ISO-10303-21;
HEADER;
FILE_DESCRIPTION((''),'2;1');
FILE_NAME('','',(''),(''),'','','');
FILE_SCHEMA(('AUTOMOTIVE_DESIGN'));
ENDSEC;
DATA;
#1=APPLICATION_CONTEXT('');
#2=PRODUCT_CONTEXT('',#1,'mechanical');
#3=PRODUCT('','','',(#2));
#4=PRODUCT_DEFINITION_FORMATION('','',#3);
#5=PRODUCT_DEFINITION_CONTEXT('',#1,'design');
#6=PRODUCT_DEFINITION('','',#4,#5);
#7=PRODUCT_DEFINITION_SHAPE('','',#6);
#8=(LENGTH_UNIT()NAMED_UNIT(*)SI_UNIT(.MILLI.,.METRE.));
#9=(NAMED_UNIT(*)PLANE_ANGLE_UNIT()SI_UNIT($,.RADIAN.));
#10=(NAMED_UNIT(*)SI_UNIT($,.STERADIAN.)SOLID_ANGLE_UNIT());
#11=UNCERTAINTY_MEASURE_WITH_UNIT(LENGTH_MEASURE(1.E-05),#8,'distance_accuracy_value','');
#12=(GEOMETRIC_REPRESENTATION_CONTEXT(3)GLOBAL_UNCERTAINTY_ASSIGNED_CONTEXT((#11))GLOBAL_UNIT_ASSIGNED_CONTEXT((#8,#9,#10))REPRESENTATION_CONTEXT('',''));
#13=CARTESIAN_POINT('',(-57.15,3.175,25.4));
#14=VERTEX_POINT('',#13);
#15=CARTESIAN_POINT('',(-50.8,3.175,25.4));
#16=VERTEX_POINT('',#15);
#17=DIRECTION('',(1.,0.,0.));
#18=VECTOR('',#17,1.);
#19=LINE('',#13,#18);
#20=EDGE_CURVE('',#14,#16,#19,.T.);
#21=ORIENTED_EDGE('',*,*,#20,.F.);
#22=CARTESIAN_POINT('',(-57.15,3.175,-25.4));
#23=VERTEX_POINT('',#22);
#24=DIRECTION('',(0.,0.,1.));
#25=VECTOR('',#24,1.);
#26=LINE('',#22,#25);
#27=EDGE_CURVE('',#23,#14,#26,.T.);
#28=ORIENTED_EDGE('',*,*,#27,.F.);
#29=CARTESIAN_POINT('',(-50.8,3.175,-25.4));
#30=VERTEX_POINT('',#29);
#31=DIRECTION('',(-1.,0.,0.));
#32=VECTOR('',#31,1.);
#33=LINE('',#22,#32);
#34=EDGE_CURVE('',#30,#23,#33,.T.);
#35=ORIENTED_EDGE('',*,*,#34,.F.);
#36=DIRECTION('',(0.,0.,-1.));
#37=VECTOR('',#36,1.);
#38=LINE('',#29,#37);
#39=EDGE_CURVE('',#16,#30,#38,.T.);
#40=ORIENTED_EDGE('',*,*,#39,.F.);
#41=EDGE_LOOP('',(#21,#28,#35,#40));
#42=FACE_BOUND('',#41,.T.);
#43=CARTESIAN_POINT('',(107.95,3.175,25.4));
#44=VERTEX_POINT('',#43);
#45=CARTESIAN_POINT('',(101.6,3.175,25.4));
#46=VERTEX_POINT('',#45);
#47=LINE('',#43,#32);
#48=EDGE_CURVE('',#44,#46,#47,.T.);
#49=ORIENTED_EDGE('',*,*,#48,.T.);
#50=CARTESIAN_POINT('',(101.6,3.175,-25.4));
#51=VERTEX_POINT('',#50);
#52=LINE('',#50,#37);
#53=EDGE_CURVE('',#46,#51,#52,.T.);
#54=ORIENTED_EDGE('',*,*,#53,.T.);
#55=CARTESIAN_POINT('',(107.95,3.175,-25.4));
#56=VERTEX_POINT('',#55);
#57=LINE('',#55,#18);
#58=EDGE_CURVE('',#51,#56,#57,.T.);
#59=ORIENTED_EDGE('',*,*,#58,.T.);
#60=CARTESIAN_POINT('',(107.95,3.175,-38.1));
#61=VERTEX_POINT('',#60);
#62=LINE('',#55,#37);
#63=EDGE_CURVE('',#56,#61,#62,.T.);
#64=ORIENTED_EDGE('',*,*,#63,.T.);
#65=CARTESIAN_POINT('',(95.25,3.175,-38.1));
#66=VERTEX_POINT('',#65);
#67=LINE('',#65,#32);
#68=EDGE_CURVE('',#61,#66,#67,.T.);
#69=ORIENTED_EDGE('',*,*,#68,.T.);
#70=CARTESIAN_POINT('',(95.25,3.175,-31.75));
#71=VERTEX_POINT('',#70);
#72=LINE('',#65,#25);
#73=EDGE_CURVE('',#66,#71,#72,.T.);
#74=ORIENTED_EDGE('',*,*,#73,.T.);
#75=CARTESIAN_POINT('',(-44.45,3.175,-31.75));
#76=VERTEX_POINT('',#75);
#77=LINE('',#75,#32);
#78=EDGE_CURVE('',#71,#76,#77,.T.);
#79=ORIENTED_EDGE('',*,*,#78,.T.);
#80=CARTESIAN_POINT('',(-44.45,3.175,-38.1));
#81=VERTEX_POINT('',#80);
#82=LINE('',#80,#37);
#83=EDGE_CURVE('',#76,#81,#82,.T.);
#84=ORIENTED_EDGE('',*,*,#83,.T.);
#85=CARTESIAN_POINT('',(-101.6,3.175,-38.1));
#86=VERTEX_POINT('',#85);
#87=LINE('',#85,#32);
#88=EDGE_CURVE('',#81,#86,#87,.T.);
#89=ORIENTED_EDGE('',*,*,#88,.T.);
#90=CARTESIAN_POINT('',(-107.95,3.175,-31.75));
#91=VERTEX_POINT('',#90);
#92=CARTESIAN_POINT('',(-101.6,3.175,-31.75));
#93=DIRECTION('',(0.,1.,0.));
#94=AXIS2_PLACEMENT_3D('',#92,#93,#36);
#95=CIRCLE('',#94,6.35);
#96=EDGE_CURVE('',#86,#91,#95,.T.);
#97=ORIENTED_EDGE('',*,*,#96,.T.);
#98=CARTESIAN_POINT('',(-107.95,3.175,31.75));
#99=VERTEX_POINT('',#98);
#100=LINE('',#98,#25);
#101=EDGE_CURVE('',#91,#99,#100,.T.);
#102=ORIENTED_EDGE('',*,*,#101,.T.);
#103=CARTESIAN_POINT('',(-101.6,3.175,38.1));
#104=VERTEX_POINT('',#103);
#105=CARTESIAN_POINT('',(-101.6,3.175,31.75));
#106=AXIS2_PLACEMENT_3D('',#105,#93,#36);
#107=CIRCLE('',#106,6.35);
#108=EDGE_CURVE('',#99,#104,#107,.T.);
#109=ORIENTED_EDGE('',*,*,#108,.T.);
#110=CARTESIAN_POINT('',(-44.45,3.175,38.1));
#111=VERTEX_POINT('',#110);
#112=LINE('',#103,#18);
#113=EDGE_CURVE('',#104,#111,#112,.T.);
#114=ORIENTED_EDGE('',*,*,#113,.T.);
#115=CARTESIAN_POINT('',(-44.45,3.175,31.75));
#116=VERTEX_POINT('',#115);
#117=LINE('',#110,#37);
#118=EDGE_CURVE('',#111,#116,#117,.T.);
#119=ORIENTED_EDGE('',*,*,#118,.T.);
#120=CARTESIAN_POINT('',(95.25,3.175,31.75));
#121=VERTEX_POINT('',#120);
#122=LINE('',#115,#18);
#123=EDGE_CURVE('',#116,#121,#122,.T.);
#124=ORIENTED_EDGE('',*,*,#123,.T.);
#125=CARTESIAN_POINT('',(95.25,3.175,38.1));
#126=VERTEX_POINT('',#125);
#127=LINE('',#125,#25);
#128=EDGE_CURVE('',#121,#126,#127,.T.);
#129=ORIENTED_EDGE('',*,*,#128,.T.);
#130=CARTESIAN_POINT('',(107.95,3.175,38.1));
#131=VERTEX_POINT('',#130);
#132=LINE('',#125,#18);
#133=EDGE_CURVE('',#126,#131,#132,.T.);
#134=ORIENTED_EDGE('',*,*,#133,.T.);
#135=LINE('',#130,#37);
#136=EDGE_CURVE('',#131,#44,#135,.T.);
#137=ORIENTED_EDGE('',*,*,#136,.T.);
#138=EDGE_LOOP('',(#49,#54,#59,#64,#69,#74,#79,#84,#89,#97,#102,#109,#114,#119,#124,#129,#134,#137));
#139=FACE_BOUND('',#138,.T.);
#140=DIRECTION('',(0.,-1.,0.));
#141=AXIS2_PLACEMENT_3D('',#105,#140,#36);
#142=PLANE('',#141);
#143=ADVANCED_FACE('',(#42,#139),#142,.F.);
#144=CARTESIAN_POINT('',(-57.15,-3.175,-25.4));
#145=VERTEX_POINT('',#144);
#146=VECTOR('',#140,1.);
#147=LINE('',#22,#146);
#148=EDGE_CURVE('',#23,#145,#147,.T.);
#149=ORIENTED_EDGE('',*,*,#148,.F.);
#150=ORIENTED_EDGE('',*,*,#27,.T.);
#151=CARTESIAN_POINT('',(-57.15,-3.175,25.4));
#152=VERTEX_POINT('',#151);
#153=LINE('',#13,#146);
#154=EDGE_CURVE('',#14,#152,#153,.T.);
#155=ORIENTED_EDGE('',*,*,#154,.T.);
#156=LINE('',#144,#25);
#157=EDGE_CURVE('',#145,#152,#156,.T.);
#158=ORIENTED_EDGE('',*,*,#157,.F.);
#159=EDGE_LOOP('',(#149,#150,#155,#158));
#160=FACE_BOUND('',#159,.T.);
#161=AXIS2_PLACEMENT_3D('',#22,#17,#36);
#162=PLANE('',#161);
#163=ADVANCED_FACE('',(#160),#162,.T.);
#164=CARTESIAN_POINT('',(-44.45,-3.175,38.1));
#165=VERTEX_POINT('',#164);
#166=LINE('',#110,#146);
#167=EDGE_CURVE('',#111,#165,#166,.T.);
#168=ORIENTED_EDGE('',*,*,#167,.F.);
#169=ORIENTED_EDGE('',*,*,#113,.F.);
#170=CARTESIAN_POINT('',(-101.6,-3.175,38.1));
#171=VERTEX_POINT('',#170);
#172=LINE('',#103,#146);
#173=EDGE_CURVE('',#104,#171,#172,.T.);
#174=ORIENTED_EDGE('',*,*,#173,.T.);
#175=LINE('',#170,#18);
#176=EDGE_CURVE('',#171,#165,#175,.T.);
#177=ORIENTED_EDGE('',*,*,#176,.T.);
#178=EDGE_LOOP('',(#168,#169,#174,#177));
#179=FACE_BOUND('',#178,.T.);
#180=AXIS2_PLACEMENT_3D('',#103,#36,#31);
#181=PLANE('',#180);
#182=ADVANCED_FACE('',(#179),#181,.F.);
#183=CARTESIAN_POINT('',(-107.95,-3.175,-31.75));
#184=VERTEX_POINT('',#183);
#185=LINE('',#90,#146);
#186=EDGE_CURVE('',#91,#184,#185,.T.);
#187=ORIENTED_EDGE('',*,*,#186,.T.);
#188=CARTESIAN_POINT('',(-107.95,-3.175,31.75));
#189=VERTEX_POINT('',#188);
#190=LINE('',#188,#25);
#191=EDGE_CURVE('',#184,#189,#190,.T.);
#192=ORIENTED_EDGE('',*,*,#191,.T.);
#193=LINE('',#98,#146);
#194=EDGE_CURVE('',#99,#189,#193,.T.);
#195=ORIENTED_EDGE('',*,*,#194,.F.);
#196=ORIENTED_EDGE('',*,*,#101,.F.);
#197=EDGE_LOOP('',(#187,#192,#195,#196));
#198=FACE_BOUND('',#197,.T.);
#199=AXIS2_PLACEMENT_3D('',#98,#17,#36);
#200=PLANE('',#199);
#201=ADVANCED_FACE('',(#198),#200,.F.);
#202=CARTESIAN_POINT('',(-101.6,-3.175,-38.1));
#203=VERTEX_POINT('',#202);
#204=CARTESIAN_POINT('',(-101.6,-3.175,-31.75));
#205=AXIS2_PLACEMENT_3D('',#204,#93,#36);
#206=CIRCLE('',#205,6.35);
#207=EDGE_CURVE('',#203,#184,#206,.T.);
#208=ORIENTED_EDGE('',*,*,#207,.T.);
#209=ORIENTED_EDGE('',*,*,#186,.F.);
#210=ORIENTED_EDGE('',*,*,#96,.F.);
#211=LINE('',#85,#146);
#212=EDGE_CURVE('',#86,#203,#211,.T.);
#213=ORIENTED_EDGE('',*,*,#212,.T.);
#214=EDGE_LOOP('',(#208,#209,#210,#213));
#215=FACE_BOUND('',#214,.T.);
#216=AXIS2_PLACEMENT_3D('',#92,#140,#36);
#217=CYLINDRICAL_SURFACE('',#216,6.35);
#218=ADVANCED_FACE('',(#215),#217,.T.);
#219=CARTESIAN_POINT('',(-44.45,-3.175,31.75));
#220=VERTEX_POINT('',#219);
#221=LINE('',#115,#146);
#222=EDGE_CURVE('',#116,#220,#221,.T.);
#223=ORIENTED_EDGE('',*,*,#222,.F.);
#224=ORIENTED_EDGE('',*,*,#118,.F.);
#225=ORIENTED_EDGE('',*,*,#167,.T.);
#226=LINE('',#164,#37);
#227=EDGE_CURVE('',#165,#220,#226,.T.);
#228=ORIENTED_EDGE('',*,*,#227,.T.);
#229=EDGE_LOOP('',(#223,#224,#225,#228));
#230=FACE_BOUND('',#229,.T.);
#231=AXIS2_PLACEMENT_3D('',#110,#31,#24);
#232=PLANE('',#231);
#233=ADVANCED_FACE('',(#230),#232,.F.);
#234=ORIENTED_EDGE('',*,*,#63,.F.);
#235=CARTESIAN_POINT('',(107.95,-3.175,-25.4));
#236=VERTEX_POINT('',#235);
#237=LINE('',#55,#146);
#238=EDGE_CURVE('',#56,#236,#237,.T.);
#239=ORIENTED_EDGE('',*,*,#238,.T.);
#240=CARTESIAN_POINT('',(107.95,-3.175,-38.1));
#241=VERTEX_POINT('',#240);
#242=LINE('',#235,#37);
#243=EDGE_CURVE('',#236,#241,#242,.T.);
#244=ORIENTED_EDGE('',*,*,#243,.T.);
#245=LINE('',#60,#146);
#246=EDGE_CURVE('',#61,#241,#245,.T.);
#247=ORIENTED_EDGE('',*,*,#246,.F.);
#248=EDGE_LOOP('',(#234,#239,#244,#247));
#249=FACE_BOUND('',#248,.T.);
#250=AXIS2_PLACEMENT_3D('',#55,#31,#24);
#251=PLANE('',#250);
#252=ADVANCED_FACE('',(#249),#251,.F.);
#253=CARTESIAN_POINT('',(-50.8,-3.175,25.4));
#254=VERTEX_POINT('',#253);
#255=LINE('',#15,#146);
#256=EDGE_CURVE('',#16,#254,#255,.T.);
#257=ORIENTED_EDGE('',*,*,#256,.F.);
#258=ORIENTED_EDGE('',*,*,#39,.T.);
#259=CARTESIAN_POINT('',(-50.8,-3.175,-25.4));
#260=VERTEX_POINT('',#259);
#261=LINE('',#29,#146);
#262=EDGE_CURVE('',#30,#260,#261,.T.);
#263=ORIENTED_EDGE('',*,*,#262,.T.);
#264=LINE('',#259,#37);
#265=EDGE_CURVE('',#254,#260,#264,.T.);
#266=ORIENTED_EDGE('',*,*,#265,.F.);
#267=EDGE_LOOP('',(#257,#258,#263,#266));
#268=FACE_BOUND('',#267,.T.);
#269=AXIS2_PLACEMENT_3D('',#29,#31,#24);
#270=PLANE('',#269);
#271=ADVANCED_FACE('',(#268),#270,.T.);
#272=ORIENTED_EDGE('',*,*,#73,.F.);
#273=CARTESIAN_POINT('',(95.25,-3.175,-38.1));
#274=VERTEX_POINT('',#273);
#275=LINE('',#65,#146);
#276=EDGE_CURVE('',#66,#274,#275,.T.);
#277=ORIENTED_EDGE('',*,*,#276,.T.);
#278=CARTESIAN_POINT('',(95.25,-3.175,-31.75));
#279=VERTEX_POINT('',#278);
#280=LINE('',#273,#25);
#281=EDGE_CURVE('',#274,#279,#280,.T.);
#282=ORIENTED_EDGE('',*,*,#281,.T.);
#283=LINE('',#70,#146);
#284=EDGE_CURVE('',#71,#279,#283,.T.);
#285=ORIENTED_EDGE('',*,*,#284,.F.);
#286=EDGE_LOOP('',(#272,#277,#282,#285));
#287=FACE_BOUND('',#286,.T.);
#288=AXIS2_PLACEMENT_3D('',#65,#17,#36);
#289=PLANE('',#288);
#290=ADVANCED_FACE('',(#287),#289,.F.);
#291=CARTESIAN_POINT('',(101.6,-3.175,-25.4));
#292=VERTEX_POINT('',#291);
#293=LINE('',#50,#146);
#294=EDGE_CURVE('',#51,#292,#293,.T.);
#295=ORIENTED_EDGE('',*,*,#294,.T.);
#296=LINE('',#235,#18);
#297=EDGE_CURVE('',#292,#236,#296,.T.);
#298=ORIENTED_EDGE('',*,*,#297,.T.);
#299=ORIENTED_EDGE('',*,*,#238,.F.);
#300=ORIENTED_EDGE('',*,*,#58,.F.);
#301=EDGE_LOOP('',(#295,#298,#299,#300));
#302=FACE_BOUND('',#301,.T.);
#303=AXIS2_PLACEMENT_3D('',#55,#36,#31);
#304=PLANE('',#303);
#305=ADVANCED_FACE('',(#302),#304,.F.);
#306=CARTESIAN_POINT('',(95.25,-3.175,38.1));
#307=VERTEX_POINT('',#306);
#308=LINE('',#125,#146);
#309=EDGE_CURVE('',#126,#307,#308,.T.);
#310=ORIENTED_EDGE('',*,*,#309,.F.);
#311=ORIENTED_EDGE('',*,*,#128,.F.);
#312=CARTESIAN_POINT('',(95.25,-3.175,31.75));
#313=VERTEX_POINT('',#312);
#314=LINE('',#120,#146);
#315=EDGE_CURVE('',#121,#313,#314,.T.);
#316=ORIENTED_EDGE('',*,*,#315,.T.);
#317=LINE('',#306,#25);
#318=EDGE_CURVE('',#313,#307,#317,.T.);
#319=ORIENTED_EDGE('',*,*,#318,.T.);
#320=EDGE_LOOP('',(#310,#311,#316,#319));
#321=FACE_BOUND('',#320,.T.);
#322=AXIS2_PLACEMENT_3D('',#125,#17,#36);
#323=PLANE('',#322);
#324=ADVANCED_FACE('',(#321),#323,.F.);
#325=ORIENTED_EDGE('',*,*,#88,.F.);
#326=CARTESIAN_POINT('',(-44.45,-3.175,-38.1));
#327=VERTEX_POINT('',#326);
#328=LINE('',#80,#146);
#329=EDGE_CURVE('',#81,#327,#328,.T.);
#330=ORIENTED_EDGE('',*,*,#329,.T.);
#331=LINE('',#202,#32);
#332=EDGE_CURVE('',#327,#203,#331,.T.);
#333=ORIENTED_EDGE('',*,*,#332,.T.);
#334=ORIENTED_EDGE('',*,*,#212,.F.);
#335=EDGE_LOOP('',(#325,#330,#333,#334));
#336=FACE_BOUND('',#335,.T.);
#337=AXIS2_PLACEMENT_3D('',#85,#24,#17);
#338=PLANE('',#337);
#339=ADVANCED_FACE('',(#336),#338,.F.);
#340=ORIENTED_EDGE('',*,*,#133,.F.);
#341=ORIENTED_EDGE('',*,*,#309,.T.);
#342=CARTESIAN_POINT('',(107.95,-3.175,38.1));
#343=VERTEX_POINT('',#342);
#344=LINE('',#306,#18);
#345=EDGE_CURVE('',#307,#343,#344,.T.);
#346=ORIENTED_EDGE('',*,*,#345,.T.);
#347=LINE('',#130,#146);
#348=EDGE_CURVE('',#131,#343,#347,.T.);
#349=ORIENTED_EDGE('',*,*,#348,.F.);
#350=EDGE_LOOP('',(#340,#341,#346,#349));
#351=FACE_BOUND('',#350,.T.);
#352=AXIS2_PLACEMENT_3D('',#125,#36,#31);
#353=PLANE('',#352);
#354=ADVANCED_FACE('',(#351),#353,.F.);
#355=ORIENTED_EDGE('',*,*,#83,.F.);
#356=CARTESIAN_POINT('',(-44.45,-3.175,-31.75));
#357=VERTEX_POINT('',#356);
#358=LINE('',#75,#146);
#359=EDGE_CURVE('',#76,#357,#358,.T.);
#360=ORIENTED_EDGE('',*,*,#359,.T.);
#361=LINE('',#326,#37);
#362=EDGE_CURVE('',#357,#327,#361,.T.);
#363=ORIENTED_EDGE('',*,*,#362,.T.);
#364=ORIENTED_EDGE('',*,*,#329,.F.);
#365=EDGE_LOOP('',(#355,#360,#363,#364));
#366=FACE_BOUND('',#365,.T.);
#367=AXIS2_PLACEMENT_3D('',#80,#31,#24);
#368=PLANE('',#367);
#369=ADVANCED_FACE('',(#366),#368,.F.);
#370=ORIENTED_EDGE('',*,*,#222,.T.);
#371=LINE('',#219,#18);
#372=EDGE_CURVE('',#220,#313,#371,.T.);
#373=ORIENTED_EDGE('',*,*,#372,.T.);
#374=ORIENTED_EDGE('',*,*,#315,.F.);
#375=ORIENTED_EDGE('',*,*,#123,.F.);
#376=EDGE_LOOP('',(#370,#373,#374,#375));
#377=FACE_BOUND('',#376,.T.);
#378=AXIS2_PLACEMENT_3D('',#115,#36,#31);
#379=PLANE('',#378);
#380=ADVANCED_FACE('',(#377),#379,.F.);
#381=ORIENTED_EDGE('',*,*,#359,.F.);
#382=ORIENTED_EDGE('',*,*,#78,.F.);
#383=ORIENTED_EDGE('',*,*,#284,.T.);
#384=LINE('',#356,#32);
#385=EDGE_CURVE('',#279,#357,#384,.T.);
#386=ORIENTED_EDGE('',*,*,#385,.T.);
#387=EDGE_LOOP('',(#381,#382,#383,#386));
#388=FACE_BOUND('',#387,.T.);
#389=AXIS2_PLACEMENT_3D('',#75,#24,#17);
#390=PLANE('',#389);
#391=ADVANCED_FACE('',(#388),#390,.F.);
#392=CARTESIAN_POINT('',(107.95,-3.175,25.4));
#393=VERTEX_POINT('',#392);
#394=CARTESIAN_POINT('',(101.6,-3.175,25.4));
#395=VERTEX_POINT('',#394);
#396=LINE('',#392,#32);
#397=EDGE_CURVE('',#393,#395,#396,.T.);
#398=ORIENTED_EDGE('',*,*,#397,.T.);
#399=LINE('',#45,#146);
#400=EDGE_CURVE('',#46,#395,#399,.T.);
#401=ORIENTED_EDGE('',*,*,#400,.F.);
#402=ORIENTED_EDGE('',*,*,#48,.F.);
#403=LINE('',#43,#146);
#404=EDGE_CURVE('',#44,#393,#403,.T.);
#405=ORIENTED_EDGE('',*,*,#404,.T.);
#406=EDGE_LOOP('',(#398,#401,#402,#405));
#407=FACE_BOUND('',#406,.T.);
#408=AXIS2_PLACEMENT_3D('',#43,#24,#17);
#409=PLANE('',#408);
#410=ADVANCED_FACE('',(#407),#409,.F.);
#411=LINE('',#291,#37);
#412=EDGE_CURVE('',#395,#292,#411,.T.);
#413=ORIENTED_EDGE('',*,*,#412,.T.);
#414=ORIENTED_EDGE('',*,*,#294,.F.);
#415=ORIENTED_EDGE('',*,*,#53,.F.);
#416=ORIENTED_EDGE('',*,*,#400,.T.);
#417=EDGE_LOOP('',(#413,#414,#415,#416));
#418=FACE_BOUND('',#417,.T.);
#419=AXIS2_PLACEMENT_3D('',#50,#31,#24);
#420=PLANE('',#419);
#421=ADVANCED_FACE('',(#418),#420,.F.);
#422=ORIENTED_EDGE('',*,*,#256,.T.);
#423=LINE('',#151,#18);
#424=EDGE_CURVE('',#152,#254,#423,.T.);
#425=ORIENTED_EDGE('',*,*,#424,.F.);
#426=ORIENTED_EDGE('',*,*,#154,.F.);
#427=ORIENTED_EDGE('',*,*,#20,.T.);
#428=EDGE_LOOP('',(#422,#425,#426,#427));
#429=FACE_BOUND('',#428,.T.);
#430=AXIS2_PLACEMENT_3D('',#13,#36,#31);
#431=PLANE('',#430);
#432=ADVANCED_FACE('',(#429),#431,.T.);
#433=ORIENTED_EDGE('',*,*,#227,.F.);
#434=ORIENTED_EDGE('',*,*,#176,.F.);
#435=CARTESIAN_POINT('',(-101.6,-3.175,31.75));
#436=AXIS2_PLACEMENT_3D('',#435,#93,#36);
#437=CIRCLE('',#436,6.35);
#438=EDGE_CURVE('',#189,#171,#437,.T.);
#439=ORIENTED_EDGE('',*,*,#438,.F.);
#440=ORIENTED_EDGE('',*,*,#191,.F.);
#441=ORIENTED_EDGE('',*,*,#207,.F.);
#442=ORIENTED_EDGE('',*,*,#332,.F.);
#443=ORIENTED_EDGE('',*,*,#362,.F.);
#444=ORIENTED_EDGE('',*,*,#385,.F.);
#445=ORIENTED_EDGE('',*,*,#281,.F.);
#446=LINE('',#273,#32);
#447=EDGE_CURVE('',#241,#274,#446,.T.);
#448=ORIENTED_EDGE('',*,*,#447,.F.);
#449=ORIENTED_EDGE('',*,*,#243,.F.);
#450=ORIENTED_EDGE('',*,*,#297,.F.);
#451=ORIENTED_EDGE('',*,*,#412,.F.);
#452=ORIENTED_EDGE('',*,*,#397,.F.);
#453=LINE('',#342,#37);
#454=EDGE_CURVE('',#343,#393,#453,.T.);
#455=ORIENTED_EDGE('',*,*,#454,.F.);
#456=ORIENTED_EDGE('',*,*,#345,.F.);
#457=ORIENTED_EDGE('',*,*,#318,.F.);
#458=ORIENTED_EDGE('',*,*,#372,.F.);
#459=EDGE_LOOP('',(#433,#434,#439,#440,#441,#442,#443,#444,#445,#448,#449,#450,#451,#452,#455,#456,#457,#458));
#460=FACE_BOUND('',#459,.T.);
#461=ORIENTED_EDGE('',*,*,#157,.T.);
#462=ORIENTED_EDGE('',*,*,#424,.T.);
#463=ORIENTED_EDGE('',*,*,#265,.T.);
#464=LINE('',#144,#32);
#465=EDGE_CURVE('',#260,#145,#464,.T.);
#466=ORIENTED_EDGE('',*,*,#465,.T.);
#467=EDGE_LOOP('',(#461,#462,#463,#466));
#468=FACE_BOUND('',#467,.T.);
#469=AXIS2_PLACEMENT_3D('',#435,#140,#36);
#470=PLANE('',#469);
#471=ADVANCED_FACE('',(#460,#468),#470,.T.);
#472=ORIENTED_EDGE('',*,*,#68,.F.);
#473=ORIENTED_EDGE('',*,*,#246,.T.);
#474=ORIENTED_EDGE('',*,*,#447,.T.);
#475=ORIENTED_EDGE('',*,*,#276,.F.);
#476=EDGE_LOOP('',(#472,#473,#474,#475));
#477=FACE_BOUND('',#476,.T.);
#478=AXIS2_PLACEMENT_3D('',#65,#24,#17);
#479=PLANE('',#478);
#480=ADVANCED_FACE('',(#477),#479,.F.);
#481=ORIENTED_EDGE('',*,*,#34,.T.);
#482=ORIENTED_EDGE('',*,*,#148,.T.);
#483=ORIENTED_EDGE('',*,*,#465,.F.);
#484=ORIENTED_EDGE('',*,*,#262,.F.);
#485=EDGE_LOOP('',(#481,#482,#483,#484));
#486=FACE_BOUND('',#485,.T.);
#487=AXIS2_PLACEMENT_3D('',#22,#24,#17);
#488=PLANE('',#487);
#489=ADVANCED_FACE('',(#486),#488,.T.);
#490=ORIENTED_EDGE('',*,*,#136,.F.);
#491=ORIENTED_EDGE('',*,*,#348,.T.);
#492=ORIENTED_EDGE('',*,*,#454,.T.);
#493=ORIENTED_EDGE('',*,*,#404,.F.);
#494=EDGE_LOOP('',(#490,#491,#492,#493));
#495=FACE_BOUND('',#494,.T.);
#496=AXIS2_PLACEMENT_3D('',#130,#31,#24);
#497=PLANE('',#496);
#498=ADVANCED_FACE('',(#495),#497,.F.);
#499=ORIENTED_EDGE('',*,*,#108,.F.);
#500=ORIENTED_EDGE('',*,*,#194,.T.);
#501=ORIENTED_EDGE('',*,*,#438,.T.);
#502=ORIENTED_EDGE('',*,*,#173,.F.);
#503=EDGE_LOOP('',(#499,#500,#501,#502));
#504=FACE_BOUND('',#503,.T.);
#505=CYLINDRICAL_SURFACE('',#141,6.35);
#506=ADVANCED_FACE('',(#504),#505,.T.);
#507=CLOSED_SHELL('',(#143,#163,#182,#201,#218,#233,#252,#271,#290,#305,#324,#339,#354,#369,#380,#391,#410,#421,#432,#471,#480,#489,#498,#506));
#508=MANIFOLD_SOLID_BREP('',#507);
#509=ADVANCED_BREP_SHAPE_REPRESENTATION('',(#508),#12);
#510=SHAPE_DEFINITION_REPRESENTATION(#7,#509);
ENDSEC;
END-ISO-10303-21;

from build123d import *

# Parameters (mm, degrees)
SKETCH1_W           = 6.35
SKETCH1_H           = 50.8
BOSS_EXTRUDE1_DEPTH = 3.175


with BuildPart() as part:
    # Sketch1 → Boss-Extrude1 (new, symmetric)
    with BuildSketch(Plane(origin=(0, 0, 0), x_dir=(1, 0, 0), z_dir=(0, 1, 0))):
        with BuildLine():
            Line((-101.6, -38.1), (-44.45, -38.1))
            Line((-44.45, -38.1), (-44.45, -31.75))
            Line((-44.45, -31.75), (95.25, -31.75))
            Line((95.25, -31.75), (95.25, -38.1))
            Line((95.25, -38.1), (107.95, -38.1))
            Line((107.95, -38.1), (107.95, -25.4))
            Line((107.95, -25.4), (101.6, -25.4))
            Line((101.6, -25.4), (101.6, 25.4))
            Line((101.6, 25.4), (107.95, 25.4))
            Line((107.95, 25.4), (107.95, 38.1))
            Line((107.95, 38.1), (95.25, 38.1))
            Line((95.25, 38.1), (95.25, 31.75))
            Line((95.25, 31.75), (-44.45, 31.75))
            Line((-44.45, 31.75), (-44.45, 38.1))
            Line((-44.45, 38.1), (-101.6, 38.1))
            ThreePointArc((-101.6, 38.1), (-106.090128061, 36.240128061), (-107.95, 31.75))
            Line((-107.95, 31.75), (-107.95, -31.75))
            ThreePointArc((-107.95, -31.75), (-106.090128061, -36.240128061), (-101.6, -38.1))
        make_face()
        with Locations((-53.975, 0)):
            Rectangle(SKETCH1_W, SKETCH1_H, mode=Mode.SUBTRACT)
    extrude(amount=BOSS_EXTRUDE1_DEPTH, both=True)


solid = part.part
